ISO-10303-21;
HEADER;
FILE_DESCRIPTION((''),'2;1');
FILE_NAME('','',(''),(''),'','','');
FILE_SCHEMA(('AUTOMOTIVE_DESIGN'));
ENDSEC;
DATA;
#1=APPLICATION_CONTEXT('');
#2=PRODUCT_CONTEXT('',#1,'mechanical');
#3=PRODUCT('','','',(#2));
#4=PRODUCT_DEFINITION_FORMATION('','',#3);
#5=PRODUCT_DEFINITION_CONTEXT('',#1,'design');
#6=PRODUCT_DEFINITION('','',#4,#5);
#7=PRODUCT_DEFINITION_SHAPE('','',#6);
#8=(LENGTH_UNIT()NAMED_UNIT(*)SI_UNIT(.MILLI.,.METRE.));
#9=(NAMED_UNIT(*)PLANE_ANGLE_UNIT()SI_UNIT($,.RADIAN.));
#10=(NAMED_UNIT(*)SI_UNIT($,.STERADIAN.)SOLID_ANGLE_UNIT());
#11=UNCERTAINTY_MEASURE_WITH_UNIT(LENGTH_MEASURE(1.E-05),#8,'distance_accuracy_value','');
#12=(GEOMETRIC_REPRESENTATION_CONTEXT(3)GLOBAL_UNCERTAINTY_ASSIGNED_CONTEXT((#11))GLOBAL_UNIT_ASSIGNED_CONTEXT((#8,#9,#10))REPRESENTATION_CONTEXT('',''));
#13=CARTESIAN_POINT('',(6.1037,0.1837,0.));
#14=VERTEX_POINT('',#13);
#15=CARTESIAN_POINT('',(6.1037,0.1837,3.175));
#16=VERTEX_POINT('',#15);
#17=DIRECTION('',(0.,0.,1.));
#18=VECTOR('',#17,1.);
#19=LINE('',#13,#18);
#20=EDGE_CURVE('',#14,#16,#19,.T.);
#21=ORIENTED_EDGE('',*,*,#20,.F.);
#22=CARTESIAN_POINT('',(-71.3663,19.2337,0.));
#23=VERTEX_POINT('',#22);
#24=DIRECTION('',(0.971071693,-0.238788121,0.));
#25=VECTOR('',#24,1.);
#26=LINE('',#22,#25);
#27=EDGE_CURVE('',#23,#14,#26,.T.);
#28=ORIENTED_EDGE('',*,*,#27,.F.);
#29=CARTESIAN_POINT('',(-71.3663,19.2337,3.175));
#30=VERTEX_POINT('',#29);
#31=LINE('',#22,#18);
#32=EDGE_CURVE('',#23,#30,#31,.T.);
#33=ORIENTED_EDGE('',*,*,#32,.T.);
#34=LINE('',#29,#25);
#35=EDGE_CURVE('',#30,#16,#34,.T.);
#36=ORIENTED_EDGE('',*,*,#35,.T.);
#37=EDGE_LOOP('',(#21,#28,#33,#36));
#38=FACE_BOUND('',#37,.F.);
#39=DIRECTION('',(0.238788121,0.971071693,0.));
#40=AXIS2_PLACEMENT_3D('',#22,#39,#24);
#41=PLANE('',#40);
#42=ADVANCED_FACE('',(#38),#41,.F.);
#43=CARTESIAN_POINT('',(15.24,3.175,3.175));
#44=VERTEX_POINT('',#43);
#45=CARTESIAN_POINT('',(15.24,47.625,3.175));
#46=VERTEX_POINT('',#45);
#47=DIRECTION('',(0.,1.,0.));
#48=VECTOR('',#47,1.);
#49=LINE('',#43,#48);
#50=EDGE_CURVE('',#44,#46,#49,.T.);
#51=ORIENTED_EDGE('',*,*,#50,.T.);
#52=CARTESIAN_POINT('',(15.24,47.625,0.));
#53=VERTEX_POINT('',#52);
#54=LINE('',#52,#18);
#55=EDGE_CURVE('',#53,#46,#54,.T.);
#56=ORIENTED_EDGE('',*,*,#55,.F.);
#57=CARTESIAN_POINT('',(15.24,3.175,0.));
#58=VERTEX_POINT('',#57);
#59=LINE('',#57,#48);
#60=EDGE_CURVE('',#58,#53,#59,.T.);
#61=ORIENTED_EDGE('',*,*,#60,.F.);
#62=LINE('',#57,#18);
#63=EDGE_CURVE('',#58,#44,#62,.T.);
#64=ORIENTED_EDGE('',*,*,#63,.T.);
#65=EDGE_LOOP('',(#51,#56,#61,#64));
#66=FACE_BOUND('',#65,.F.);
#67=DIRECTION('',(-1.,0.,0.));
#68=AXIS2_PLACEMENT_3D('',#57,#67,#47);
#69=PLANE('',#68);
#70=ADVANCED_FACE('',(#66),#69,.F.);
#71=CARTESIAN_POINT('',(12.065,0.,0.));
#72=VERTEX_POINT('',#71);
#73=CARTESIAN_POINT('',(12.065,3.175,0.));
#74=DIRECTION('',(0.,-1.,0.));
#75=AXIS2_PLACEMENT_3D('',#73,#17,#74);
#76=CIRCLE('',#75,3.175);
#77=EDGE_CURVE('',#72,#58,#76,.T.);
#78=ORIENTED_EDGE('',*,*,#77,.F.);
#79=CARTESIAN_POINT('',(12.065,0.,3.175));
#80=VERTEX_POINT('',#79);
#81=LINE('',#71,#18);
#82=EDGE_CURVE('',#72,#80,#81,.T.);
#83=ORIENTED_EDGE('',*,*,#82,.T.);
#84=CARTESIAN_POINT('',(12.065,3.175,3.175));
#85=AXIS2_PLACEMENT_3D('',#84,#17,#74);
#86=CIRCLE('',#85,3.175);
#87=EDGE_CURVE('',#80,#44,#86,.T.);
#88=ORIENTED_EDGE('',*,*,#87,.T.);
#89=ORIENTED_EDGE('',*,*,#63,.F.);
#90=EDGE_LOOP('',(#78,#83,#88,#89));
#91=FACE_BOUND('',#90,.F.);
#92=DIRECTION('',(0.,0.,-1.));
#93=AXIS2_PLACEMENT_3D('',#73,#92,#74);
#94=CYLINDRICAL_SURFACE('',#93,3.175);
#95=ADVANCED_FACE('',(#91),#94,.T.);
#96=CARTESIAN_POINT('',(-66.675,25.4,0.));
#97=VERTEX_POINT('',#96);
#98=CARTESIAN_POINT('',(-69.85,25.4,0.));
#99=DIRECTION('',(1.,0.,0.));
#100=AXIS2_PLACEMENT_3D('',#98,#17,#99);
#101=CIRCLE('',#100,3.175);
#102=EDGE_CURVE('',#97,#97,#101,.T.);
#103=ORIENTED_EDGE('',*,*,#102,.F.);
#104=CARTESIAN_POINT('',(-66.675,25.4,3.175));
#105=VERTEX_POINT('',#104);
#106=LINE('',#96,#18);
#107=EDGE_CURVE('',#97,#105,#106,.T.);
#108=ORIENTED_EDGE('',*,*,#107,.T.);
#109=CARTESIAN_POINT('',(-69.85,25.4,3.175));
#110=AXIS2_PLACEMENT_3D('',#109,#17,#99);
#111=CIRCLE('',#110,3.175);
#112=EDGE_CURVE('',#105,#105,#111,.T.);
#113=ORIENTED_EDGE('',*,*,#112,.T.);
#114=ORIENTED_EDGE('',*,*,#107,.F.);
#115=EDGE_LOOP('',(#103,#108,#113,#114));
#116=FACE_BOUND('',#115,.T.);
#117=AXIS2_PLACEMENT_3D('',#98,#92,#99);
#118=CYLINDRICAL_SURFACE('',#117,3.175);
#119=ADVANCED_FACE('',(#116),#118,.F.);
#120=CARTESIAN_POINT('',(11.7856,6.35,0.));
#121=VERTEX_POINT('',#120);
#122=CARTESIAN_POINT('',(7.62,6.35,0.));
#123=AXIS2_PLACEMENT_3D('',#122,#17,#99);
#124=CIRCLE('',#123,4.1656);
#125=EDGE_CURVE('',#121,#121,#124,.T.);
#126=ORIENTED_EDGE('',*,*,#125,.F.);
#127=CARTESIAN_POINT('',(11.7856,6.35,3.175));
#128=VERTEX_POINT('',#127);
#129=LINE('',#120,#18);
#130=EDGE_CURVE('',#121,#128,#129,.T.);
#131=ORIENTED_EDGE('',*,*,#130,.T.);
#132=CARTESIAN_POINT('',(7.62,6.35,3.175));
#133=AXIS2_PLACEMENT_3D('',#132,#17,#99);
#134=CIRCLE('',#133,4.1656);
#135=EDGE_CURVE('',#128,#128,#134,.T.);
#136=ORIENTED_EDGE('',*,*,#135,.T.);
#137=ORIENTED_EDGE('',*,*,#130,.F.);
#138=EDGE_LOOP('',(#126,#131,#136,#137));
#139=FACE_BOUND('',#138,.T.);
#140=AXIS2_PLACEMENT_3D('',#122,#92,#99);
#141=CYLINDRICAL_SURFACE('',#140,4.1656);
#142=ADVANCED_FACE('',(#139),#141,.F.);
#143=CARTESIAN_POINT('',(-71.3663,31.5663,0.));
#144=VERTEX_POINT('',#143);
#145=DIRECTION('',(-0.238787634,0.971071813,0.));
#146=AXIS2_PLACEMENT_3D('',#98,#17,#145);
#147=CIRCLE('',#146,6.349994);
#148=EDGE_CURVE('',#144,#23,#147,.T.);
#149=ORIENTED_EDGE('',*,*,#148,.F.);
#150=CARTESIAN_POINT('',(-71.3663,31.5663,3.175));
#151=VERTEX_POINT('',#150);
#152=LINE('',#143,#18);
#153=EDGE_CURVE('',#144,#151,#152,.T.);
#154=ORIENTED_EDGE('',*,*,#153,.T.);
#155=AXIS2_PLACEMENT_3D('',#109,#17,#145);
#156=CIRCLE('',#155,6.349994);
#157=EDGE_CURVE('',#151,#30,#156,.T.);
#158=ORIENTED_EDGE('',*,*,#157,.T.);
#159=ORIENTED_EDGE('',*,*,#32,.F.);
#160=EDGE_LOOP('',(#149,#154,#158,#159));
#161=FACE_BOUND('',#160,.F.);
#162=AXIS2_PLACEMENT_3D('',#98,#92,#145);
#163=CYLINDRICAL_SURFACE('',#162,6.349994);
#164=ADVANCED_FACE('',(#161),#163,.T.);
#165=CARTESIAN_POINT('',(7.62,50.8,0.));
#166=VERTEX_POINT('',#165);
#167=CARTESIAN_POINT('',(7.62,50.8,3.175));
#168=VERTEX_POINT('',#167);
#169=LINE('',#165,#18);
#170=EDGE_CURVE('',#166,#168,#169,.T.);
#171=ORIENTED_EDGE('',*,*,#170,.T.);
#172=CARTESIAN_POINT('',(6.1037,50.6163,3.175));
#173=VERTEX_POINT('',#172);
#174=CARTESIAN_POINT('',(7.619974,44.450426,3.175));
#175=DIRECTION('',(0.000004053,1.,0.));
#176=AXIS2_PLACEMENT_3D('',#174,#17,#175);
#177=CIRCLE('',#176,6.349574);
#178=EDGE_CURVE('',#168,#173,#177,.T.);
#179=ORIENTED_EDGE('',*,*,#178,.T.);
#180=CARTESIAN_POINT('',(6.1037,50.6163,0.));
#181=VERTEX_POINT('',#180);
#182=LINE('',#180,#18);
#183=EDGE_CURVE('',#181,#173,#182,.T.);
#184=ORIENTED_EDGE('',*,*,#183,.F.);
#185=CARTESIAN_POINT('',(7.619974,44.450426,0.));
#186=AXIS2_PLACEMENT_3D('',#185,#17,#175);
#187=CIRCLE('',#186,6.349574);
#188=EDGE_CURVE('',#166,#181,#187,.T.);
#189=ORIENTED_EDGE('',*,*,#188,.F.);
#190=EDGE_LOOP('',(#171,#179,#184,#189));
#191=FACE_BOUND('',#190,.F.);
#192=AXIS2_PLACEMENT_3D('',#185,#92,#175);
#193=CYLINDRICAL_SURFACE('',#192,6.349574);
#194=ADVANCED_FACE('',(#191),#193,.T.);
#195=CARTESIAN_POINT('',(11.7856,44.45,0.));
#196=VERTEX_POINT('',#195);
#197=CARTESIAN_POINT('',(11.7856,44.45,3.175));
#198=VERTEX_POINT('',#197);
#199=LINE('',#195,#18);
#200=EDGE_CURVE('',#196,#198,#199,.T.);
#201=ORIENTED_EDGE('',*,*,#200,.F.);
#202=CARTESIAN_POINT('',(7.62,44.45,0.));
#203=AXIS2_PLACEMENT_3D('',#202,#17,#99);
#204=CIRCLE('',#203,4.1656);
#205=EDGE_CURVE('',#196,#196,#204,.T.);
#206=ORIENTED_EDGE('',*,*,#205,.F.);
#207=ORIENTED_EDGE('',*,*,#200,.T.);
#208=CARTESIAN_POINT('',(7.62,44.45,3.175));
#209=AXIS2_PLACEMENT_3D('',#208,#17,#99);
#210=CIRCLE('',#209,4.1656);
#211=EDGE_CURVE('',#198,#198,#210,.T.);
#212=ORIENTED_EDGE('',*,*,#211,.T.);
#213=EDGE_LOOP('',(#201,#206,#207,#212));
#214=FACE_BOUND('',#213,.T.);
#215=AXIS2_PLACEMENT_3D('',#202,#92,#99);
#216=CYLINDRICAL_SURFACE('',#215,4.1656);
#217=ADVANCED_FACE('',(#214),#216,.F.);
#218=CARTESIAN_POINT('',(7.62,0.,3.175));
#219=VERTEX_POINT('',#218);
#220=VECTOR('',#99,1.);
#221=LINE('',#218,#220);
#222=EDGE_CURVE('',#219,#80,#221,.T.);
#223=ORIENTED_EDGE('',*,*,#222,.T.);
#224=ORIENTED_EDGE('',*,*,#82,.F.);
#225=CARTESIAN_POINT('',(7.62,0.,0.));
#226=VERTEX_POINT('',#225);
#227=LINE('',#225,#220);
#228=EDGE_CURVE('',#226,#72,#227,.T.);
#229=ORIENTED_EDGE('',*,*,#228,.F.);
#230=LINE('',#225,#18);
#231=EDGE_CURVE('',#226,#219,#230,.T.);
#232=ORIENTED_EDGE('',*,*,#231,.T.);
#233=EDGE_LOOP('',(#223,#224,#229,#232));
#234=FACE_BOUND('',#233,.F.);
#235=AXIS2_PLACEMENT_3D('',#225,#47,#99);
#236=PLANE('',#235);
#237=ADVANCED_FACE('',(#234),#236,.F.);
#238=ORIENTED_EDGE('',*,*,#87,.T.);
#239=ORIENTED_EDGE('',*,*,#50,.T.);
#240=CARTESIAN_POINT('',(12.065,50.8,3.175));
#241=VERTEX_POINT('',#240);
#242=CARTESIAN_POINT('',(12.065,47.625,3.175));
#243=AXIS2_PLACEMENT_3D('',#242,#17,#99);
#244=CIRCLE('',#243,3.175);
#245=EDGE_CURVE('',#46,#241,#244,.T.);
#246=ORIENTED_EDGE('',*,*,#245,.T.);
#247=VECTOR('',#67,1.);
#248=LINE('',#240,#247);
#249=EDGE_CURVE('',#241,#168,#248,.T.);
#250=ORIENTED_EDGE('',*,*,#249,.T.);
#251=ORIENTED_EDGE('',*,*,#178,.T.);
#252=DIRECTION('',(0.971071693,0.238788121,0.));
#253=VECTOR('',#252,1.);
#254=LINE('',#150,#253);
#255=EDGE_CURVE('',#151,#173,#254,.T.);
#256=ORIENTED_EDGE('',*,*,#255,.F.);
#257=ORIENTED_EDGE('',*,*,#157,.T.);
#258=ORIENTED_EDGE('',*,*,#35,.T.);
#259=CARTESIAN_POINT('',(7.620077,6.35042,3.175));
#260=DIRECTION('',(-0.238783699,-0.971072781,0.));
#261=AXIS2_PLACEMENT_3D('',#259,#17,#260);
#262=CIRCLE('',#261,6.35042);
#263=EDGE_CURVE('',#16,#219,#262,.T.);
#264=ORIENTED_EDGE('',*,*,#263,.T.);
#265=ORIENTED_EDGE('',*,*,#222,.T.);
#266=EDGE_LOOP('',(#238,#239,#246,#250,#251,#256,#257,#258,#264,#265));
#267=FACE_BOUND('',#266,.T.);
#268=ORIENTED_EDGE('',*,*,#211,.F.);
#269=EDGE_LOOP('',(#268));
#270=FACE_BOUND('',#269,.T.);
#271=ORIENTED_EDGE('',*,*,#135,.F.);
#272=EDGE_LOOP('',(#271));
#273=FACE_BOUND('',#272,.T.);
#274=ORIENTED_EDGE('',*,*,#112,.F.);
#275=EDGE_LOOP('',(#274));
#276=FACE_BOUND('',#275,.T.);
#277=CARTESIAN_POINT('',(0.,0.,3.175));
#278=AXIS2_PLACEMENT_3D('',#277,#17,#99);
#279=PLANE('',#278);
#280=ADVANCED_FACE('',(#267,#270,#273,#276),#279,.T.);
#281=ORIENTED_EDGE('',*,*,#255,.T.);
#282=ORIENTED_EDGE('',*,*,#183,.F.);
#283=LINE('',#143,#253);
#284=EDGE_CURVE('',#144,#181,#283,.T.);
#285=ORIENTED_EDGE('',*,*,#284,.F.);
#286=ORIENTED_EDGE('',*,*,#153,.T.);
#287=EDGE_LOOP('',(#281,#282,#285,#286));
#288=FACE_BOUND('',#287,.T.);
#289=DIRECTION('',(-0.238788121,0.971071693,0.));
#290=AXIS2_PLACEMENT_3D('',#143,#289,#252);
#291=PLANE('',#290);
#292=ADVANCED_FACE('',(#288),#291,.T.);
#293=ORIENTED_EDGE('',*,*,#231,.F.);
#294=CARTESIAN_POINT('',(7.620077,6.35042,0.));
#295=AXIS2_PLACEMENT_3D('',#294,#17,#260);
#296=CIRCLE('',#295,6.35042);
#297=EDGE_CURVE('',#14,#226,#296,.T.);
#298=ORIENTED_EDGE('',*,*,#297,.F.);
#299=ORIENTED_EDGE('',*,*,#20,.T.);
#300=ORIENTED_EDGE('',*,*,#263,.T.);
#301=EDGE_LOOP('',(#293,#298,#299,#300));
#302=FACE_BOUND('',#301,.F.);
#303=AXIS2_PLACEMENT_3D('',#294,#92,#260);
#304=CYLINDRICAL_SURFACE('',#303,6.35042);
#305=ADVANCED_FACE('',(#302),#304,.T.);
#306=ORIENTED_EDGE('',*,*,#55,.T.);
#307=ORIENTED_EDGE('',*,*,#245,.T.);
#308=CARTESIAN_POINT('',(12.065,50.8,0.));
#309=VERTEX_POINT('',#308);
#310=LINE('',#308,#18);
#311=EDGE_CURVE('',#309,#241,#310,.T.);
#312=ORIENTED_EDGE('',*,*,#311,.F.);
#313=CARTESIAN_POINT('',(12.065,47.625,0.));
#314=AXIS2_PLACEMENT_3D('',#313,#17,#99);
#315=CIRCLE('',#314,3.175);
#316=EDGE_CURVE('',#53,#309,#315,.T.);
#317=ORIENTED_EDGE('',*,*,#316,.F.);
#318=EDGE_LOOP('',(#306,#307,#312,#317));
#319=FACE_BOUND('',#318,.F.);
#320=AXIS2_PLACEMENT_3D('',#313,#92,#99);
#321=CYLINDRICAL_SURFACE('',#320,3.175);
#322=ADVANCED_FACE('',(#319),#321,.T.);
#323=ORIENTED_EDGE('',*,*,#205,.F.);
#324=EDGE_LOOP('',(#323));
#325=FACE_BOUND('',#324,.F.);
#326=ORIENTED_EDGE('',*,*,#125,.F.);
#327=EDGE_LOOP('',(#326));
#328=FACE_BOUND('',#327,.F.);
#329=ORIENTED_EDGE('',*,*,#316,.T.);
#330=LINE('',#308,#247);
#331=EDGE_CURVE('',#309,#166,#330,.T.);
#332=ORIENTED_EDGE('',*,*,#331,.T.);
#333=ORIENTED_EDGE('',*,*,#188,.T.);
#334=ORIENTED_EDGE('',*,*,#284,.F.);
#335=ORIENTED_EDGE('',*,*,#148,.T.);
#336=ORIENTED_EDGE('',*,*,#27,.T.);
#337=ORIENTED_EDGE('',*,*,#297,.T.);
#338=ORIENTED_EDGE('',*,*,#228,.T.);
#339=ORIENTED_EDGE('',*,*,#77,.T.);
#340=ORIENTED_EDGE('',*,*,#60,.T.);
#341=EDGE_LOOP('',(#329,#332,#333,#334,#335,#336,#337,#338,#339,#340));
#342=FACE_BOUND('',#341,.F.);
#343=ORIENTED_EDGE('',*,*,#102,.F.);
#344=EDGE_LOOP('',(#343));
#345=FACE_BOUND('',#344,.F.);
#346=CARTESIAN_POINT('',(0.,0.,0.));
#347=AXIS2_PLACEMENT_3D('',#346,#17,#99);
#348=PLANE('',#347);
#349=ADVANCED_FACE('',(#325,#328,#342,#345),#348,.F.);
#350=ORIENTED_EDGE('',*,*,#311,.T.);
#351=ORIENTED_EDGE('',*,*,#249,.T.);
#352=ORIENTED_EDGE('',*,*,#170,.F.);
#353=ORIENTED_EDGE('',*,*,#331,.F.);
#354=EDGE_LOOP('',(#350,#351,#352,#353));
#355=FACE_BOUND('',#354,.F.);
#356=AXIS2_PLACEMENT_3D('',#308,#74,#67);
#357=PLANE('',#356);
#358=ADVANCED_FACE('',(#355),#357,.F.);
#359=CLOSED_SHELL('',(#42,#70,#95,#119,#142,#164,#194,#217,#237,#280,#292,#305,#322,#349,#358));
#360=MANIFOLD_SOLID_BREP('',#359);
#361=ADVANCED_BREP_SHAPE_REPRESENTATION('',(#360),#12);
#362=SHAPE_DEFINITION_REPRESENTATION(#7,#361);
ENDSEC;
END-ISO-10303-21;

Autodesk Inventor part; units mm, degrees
ref_plane "YZ Plane" through (0, 0, 0) normal (1, 0, 0) x (0, 1, 0)
ref_plane "XZ Plane" through (0, 0, 0) normal (0, 1, 0) x (-1, 0, 0)
ref_plane "XY Plane" through (0, 0, 0) normal (0, 0, 1) x (1, 0, 0)
sketch "Sketch1" plane through (0, 0, 0) normal (0, 0, 1) x (1, 0, 0)
  line L0 (7.62, 0) -> (12.065, 0)
  line L1 (15.24, 3.175) -> (15.24, 47.625)
  line L2 (12.065, 50.8) -> (7.62, 50.8)
  circle A0 centre (7.62, 44.45) radius 4.1656
  circle A1 centre (7.62, 6.35) radius 4.1656
  arc A2 (15.24, 47.625) -> (12.065, 50.8) centre (12.065, 47.625) ccw
  arc A3 (12.065, 0) -> (15.24, 3.175) centre (12.065, 3.175) ccw
  circle A4 centre (-69.85, 25.4) radius 3.175
  arc A5 (-71.3663, 31.5663) -> (-71.3663, 19.2337) centre (-69.85, 25.4) ccw
  arc A6 (7.62, 50.8) -> (6.1037, 50.6163) centre (7.62, 44.45) ccw
  arc A7 (6.1037, 0.1837) -> (7.62, 0) centre (7.62, 6.35) ccw
  line L3 (-69.85, 25.4) -> (7.62, 44.45) construction
  line L4 (-69.85, 25.4) -> (7.62, 6.35) construction
  line L5 (15.24, 25.4) -> (-69.85, 25.4) construction
  line L6 (-71.3663, 31.5663) -> (6.1037, 50.6163)
  line L7 (-71.3663, 19.2337) -> (6.1037, 0.1837)
  line L8 (0, 42.5762) -> (0, 0) construction
  point P0 (15.24, 50.8)
  point P1 (15.24, 0)
  dimension "d1" = 50.8
  dimension "d2" = 38.1
  dimension "d3" = 6.35
  dimension "d4" = 8.3312
  dimension "d5" = 8.3312
  dimension "d9" = 3.175
  dimension "d12" = 6.35
  dimension "d14" = 12.7
  dimension "d16" = 15.24
  dimension "d18" = 76.185
  dimension "d19" = 50.8
  dimension "d20" = 25.4
  dimension "d21" = 85.09
  dimension "d22" = 69.85
  dimension "d23" = 76.185
  dimension "d24" = 27.63
  dimension "d25" = 27.63
  dimension "d26" = 152.37
  dimension "d27" = 13.815
  dimension "d28" = 4.445
  dimension "d29" = 77.47
  dimension "d30" = 19.05
  dimension "d31" = 13.815
  dimension "d32" = 13.815
  dimension "d33" = 7.62
  dimension "d34" = 6.35
  dimension "d35" = 90
  dimension "d36" = 7.62
  dimension "d37" = 6.35
  dimension "d38" = 4.445
  dimension "d39" = 3.175
extrude "Extrusion1" add sketch "Sketch1" along normal blind 3.175
equation "\"d5\" = d4"
properties part number "pully mount"
